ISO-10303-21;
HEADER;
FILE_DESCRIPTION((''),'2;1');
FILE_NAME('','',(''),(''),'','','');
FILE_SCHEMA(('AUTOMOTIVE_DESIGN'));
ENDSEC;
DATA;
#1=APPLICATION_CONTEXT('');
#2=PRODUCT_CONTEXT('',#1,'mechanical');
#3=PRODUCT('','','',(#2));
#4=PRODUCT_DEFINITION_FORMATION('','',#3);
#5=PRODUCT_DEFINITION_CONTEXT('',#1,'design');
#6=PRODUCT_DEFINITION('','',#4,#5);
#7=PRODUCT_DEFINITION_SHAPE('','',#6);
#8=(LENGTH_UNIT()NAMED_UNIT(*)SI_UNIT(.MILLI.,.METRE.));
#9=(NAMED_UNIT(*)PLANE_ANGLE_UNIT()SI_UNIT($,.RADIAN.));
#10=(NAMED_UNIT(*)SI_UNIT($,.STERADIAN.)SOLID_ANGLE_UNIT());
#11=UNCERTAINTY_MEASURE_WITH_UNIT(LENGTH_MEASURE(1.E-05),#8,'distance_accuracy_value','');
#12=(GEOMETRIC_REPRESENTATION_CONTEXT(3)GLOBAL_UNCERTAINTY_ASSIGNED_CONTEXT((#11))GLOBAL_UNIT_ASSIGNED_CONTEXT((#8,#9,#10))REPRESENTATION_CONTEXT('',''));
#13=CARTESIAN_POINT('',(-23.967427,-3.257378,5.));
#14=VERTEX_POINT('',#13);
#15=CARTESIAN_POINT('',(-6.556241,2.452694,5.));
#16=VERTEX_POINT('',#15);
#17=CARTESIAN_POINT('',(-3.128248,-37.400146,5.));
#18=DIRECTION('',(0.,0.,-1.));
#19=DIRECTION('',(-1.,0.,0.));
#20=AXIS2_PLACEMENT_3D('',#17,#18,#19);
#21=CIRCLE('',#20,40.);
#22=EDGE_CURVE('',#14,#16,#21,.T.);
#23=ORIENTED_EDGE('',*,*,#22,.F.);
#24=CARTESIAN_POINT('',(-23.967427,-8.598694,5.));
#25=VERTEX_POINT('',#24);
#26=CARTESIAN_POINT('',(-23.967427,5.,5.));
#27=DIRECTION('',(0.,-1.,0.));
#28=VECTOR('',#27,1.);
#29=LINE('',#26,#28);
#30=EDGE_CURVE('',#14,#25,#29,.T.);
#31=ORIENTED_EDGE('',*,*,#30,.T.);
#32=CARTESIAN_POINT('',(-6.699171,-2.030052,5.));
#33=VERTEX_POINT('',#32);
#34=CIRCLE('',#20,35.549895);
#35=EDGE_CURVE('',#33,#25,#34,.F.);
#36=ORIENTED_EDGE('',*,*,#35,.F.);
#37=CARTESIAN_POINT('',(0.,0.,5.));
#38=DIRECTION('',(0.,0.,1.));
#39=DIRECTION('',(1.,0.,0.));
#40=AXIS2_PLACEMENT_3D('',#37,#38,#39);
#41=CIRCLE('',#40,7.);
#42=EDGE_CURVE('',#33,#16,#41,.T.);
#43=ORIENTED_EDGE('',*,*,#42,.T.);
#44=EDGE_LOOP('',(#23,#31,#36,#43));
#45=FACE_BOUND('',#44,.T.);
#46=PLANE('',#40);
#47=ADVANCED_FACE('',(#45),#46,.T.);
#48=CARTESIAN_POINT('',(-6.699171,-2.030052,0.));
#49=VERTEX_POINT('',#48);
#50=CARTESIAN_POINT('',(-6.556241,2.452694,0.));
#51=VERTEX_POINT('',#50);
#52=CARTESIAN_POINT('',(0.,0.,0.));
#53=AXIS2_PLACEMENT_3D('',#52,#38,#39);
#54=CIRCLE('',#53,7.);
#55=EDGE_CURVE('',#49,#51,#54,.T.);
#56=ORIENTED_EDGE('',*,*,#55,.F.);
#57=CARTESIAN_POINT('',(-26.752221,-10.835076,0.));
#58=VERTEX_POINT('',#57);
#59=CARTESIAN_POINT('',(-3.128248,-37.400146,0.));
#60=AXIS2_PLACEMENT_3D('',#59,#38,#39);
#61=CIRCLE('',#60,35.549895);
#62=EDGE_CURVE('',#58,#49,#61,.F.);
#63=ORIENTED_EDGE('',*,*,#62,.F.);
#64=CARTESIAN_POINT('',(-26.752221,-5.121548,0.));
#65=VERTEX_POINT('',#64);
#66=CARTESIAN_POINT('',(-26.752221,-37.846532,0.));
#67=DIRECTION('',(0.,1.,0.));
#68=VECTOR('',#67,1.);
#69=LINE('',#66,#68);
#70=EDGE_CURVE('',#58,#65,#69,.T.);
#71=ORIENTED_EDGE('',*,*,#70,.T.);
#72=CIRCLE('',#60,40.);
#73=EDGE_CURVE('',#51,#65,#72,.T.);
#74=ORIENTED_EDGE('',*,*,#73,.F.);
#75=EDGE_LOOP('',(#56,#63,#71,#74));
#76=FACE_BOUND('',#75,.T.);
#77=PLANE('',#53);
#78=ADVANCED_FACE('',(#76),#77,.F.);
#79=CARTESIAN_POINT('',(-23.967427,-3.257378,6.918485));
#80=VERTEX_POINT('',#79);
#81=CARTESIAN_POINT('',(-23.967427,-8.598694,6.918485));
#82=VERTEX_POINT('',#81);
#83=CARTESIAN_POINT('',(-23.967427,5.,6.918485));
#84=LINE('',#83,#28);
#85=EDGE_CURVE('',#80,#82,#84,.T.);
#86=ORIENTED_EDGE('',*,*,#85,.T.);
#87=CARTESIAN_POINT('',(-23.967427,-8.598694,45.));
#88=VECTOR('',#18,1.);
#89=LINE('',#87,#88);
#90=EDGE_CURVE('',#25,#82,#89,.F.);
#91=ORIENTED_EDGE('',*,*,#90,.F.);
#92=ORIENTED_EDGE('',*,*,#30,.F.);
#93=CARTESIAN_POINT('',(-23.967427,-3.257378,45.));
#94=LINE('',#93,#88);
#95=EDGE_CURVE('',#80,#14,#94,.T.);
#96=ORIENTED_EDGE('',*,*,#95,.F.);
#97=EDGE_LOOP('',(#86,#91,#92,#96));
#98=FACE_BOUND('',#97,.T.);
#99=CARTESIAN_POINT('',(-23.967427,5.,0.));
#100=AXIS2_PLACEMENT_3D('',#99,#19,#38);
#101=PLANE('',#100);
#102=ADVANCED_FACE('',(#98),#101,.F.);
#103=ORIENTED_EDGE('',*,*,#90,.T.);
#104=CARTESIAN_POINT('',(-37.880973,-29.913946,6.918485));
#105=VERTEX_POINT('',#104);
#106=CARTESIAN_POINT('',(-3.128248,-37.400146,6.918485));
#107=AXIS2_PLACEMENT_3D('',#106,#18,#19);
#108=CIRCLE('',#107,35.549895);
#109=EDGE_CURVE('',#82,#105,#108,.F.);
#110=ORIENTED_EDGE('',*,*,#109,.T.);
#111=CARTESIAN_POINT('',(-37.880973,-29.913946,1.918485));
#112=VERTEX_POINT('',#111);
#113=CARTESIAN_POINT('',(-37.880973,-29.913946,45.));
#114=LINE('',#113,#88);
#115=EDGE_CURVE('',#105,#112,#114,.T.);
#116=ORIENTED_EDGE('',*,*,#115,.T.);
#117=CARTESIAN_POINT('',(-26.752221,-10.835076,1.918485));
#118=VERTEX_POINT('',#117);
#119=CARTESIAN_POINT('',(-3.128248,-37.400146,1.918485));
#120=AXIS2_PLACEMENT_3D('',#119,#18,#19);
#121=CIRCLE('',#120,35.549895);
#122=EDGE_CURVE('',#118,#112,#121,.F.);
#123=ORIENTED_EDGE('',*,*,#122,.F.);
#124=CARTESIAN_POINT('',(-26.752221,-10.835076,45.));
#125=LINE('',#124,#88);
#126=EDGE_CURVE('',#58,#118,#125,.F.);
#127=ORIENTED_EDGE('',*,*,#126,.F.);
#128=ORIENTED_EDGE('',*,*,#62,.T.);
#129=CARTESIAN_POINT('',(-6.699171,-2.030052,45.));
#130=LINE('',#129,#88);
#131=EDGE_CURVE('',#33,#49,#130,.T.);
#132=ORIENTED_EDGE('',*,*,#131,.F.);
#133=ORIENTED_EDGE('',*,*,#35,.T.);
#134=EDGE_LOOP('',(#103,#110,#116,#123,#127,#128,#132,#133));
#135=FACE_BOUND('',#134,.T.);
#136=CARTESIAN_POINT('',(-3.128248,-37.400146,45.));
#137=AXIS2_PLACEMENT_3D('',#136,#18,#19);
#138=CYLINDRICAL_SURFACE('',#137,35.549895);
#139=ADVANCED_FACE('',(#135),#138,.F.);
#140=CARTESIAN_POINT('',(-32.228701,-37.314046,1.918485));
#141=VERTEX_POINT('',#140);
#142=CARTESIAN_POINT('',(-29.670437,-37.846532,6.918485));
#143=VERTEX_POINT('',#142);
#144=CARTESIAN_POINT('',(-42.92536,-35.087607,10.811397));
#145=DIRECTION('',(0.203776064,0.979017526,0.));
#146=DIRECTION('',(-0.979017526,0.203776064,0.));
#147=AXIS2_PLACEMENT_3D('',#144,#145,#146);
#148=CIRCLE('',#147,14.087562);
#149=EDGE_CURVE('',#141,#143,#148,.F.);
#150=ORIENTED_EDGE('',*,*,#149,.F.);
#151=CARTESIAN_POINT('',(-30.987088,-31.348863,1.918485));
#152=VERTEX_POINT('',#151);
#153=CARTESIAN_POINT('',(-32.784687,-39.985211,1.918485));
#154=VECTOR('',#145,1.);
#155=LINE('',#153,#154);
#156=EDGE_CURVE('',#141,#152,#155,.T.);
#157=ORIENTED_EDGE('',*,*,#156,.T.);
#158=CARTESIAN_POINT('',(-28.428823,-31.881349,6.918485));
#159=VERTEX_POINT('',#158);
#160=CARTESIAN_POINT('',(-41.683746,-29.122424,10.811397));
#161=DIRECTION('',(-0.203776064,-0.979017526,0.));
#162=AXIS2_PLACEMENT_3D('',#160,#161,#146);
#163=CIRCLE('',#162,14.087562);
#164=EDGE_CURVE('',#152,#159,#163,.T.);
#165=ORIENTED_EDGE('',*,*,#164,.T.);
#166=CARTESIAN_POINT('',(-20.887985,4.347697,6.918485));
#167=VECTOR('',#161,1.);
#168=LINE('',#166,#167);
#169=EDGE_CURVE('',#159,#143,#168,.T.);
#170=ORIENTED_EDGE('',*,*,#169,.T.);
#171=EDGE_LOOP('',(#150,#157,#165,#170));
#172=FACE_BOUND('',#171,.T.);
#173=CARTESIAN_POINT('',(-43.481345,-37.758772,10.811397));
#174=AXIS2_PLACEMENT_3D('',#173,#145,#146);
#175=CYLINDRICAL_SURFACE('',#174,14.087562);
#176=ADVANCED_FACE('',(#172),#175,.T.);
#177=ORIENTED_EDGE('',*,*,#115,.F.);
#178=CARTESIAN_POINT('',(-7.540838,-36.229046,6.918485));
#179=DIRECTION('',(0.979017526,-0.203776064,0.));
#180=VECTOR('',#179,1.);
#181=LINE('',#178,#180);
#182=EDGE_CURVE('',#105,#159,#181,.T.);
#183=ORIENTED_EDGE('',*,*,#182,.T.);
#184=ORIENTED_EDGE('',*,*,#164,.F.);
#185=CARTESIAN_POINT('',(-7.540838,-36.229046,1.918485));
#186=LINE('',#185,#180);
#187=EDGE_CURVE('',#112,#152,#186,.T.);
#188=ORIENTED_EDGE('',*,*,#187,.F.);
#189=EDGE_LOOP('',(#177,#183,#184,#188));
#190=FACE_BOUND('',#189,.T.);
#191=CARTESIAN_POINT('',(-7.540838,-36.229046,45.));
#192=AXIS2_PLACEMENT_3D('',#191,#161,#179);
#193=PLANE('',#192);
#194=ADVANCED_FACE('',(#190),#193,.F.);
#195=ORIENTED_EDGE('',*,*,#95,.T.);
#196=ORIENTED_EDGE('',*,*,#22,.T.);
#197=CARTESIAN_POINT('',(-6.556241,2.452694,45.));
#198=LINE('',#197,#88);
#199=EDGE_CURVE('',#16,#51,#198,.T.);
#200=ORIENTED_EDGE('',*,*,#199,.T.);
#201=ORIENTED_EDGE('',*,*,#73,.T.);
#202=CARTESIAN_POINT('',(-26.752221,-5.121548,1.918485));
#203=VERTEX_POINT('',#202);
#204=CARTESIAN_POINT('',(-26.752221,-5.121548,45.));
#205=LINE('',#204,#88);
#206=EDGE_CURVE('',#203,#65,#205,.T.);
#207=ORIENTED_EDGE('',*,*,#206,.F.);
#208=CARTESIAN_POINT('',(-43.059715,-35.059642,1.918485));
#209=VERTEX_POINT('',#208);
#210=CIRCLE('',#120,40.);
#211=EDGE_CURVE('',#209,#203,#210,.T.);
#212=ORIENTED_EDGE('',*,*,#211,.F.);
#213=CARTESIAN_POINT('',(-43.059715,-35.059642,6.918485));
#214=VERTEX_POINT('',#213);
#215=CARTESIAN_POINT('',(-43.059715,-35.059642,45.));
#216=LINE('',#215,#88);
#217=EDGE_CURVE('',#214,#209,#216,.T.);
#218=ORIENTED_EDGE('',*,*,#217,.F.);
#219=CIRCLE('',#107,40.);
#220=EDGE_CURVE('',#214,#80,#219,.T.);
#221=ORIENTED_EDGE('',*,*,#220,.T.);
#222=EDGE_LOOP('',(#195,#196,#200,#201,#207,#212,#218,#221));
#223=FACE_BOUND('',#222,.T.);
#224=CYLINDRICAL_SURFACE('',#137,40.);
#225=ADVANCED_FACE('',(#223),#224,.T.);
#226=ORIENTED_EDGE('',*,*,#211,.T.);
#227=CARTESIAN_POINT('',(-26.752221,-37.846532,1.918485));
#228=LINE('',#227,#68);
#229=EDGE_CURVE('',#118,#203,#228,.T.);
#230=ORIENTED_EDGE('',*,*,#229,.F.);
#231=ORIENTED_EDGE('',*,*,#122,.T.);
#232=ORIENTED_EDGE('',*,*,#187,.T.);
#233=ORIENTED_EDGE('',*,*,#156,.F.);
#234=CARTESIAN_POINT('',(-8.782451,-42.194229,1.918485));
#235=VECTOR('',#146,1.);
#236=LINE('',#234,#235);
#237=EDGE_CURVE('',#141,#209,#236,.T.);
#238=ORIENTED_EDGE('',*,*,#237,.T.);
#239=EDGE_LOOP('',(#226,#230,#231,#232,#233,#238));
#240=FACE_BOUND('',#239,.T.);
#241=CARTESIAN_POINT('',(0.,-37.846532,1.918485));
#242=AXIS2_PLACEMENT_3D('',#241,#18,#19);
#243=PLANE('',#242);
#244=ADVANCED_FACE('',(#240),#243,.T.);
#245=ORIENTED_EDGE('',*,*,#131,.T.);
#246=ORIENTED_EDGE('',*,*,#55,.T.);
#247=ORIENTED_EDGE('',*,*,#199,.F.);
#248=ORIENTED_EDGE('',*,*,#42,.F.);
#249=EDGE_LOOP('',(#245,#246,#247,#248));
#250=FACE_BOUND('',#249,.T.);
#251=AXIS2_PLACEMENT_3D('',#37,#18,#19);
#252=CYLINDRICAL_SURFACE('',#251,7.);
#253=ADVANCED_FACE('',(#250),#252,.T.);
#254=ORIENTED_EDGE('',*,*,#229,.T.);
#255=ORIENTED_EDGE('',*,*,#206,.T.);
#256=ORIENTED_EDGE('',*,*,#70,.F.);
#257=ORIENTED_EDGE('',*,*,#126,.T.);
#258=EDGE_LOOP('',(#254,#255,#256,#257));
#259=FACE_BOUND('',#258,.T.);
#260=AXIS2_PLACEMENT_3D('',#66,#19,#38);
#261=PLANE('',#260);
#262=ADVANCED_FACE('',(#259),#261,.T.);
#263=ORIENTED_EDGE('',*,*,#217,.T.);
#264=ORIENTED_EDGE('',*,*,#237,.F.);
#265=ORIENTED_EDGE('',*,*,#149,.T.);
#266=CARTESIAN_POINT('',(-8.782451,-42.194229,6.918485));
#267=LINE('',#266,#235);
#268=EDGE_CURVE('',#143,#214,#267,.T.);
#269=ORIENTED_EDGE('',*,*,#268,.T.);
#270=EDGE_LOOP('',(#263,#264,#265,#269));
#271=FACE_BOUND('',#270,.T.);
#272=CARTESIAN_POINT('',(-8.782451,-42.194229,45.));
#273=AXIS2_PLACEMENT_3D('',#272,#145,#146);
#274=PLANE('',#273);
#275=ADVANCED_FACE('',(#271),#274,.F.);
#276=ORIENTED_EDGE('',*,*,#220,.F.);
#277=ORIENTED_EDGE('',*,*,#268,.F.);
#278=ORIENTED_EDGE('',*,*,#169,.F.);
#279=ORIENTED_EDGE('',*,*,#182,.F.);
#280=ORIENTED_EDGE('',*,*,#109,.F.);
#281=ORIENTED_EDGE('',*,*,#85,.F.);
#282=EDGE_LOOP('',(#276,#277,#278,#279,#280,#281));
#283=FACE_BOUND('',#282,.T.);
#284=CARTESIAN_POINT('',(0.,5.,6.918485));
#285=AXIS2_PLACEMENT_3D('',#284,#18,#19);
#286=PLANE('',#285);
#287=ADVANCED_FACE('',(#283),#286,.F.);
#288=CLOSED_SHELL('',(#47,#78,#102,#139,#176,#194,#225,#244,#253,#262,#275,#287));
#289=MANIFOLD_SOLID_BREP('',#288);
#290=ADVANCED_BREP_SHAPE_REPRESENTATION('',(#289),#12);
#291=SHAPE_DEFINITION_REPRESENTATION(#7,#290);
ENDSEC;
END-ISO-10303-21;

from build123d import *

# Parameters (mm, degrees)
BOSS_EXTRU_2_DEPTH           = 5
BOSS_EXTRU_3_DEPTH           = 45
ENL_V_MAT_EXTRU_3_DEPTH      = 5
ENL_V_MAT_EXTRU_3_DEPTH_BACK = 73.880031702
ESQUISSE4_4_W                = 16.307493561
ESQUISSE4_4_H                = 1.918484986
ENL_V_MAT_EXTRU_4_DEPTH      = 58.743956008
ENL_V_MAT_EXTRU_6_DEPTH      = 57.375584133


with BuildPart() as part:
    # Esquisse3 → Boss.-Extru.2 (new body)
    with BuildSketch(Plane.XY):
        with BuildLine():
            ThreePointArc((7, 0), (1.246257582, 6.888166813), (-6.556240583, 2.452694319))
            ThreePointArc((-6.556240583, 2.452694319), (-6.99644453, 0.22307834), (-6.699170831, -2.030051767))
            ThreePointArc((-6.699170831, -2.030051767), (1.026110175, -6.924384298), (7, 0))
        make_face()
    extrude(amount=BOSS_EXTRU_2_DEPTH)

    # Esquisse3<3> → Boss.-Extru.3 (add)
    with BuildSketch(Plane.XY):
        with BuildLine():
            ThreePointArc((-6.556240583, 2.452694319), (-31.795381091, -9.503990443), (-43.059714875, -35.059641647))
            Line((-43.059714875, -35.059641647), (-29.67043681, -37.846531887))
            Line((-29.67043681, -37.846531887), (-28.42882324, -31.881349224))
            Line((-28.42882324, -31.881349224), (-37.880972605, -29.913946449))
            ThreePointArc((-37.880972605, -29.913946449), (-26.825365644, -10.900303142), (-6.699170831, -2.030051767))
            ThreePointArc((-6.699170831, -2.030051767), (-6.99644453, 0.22307834), (-6.556240583, 2.452694319))
        make_face()
    extrude(amount=BOSS_EXTRU_3_DEPTH)

    # Esquisse4 → Enlèv. mat.-Extru.3 (cut, two sides: drawn at the far end of the back side and taken through both)
    with BuildSketch(Plane(origin=(0, 0, 0), x_dir=(1, 0, 0), z_dir=(0, 1, 0)).offset(-ENL_V_MAT_EXTRU_3_DEPTH_BACK)):
        Polygon((-6.556240583, -21.643777245), (-6.556240583, -5), (-23.967427217, -5), (-23.967427217, -6.918484986), (-43.059714875, -6.918484986), (-43.059714875, -11.918484986), (-43.059714875, -45), (-43.059714875, -53.527020644), (-6.425184121, -53.527020644), align=None)
    extrude(amount=ENL_V_MAT_EXTRU_3_DEPTH + ENL_V_MAT_EXTRU_3_DEPTH_BACK, mode=Mode.SUBTRACT)

    # Esquisse4<4> → Enlèv. mat.-Extru.4 (cut, through all)
    with BuildSketch(Plane(origin=(0, 0, 0), x_dir=(1, 0, 0), z_dir=(0, 1, 0))):
        with Locations((-34.905968095, -0.959242493)):
            Rectangle(ESQUISSE4_4_W, ESQUISSE4_4_H)
    extrude(amount=-ENL_V_MAT_EXTRU_4_DEPTH, mode=Mode.SUBTRACT)

    # Esquisse5 → Enlèv. mat.-Extru.6 (cut, through all)
    with BuildSketch(Plane(origin=(-7.540837864, -36.229046112, 0), x_dir=(0.9790175257089632, -0.2037760642340011, 0), z_dir=(0.2037760642340011, 0.9790175257089632, 0))):
        with BuildLine():
            Line((-23.948753957, -1.918484986), (-21.33566032, -1.918484986))
            Line((-21.33566032, -1.918484986), (-21.33566032, -6.918484986))
            ThreePointArc((-21.33566032, -6.918484986), (-22.389352617, -4.286338478), (-23.948753957, -1.918484986))
        make_face()
    extrude(amount=-ENL_V_MAT_EXTRU_6_DEPTH, mode=Mode.SUBTRACT)


solid = part.part
